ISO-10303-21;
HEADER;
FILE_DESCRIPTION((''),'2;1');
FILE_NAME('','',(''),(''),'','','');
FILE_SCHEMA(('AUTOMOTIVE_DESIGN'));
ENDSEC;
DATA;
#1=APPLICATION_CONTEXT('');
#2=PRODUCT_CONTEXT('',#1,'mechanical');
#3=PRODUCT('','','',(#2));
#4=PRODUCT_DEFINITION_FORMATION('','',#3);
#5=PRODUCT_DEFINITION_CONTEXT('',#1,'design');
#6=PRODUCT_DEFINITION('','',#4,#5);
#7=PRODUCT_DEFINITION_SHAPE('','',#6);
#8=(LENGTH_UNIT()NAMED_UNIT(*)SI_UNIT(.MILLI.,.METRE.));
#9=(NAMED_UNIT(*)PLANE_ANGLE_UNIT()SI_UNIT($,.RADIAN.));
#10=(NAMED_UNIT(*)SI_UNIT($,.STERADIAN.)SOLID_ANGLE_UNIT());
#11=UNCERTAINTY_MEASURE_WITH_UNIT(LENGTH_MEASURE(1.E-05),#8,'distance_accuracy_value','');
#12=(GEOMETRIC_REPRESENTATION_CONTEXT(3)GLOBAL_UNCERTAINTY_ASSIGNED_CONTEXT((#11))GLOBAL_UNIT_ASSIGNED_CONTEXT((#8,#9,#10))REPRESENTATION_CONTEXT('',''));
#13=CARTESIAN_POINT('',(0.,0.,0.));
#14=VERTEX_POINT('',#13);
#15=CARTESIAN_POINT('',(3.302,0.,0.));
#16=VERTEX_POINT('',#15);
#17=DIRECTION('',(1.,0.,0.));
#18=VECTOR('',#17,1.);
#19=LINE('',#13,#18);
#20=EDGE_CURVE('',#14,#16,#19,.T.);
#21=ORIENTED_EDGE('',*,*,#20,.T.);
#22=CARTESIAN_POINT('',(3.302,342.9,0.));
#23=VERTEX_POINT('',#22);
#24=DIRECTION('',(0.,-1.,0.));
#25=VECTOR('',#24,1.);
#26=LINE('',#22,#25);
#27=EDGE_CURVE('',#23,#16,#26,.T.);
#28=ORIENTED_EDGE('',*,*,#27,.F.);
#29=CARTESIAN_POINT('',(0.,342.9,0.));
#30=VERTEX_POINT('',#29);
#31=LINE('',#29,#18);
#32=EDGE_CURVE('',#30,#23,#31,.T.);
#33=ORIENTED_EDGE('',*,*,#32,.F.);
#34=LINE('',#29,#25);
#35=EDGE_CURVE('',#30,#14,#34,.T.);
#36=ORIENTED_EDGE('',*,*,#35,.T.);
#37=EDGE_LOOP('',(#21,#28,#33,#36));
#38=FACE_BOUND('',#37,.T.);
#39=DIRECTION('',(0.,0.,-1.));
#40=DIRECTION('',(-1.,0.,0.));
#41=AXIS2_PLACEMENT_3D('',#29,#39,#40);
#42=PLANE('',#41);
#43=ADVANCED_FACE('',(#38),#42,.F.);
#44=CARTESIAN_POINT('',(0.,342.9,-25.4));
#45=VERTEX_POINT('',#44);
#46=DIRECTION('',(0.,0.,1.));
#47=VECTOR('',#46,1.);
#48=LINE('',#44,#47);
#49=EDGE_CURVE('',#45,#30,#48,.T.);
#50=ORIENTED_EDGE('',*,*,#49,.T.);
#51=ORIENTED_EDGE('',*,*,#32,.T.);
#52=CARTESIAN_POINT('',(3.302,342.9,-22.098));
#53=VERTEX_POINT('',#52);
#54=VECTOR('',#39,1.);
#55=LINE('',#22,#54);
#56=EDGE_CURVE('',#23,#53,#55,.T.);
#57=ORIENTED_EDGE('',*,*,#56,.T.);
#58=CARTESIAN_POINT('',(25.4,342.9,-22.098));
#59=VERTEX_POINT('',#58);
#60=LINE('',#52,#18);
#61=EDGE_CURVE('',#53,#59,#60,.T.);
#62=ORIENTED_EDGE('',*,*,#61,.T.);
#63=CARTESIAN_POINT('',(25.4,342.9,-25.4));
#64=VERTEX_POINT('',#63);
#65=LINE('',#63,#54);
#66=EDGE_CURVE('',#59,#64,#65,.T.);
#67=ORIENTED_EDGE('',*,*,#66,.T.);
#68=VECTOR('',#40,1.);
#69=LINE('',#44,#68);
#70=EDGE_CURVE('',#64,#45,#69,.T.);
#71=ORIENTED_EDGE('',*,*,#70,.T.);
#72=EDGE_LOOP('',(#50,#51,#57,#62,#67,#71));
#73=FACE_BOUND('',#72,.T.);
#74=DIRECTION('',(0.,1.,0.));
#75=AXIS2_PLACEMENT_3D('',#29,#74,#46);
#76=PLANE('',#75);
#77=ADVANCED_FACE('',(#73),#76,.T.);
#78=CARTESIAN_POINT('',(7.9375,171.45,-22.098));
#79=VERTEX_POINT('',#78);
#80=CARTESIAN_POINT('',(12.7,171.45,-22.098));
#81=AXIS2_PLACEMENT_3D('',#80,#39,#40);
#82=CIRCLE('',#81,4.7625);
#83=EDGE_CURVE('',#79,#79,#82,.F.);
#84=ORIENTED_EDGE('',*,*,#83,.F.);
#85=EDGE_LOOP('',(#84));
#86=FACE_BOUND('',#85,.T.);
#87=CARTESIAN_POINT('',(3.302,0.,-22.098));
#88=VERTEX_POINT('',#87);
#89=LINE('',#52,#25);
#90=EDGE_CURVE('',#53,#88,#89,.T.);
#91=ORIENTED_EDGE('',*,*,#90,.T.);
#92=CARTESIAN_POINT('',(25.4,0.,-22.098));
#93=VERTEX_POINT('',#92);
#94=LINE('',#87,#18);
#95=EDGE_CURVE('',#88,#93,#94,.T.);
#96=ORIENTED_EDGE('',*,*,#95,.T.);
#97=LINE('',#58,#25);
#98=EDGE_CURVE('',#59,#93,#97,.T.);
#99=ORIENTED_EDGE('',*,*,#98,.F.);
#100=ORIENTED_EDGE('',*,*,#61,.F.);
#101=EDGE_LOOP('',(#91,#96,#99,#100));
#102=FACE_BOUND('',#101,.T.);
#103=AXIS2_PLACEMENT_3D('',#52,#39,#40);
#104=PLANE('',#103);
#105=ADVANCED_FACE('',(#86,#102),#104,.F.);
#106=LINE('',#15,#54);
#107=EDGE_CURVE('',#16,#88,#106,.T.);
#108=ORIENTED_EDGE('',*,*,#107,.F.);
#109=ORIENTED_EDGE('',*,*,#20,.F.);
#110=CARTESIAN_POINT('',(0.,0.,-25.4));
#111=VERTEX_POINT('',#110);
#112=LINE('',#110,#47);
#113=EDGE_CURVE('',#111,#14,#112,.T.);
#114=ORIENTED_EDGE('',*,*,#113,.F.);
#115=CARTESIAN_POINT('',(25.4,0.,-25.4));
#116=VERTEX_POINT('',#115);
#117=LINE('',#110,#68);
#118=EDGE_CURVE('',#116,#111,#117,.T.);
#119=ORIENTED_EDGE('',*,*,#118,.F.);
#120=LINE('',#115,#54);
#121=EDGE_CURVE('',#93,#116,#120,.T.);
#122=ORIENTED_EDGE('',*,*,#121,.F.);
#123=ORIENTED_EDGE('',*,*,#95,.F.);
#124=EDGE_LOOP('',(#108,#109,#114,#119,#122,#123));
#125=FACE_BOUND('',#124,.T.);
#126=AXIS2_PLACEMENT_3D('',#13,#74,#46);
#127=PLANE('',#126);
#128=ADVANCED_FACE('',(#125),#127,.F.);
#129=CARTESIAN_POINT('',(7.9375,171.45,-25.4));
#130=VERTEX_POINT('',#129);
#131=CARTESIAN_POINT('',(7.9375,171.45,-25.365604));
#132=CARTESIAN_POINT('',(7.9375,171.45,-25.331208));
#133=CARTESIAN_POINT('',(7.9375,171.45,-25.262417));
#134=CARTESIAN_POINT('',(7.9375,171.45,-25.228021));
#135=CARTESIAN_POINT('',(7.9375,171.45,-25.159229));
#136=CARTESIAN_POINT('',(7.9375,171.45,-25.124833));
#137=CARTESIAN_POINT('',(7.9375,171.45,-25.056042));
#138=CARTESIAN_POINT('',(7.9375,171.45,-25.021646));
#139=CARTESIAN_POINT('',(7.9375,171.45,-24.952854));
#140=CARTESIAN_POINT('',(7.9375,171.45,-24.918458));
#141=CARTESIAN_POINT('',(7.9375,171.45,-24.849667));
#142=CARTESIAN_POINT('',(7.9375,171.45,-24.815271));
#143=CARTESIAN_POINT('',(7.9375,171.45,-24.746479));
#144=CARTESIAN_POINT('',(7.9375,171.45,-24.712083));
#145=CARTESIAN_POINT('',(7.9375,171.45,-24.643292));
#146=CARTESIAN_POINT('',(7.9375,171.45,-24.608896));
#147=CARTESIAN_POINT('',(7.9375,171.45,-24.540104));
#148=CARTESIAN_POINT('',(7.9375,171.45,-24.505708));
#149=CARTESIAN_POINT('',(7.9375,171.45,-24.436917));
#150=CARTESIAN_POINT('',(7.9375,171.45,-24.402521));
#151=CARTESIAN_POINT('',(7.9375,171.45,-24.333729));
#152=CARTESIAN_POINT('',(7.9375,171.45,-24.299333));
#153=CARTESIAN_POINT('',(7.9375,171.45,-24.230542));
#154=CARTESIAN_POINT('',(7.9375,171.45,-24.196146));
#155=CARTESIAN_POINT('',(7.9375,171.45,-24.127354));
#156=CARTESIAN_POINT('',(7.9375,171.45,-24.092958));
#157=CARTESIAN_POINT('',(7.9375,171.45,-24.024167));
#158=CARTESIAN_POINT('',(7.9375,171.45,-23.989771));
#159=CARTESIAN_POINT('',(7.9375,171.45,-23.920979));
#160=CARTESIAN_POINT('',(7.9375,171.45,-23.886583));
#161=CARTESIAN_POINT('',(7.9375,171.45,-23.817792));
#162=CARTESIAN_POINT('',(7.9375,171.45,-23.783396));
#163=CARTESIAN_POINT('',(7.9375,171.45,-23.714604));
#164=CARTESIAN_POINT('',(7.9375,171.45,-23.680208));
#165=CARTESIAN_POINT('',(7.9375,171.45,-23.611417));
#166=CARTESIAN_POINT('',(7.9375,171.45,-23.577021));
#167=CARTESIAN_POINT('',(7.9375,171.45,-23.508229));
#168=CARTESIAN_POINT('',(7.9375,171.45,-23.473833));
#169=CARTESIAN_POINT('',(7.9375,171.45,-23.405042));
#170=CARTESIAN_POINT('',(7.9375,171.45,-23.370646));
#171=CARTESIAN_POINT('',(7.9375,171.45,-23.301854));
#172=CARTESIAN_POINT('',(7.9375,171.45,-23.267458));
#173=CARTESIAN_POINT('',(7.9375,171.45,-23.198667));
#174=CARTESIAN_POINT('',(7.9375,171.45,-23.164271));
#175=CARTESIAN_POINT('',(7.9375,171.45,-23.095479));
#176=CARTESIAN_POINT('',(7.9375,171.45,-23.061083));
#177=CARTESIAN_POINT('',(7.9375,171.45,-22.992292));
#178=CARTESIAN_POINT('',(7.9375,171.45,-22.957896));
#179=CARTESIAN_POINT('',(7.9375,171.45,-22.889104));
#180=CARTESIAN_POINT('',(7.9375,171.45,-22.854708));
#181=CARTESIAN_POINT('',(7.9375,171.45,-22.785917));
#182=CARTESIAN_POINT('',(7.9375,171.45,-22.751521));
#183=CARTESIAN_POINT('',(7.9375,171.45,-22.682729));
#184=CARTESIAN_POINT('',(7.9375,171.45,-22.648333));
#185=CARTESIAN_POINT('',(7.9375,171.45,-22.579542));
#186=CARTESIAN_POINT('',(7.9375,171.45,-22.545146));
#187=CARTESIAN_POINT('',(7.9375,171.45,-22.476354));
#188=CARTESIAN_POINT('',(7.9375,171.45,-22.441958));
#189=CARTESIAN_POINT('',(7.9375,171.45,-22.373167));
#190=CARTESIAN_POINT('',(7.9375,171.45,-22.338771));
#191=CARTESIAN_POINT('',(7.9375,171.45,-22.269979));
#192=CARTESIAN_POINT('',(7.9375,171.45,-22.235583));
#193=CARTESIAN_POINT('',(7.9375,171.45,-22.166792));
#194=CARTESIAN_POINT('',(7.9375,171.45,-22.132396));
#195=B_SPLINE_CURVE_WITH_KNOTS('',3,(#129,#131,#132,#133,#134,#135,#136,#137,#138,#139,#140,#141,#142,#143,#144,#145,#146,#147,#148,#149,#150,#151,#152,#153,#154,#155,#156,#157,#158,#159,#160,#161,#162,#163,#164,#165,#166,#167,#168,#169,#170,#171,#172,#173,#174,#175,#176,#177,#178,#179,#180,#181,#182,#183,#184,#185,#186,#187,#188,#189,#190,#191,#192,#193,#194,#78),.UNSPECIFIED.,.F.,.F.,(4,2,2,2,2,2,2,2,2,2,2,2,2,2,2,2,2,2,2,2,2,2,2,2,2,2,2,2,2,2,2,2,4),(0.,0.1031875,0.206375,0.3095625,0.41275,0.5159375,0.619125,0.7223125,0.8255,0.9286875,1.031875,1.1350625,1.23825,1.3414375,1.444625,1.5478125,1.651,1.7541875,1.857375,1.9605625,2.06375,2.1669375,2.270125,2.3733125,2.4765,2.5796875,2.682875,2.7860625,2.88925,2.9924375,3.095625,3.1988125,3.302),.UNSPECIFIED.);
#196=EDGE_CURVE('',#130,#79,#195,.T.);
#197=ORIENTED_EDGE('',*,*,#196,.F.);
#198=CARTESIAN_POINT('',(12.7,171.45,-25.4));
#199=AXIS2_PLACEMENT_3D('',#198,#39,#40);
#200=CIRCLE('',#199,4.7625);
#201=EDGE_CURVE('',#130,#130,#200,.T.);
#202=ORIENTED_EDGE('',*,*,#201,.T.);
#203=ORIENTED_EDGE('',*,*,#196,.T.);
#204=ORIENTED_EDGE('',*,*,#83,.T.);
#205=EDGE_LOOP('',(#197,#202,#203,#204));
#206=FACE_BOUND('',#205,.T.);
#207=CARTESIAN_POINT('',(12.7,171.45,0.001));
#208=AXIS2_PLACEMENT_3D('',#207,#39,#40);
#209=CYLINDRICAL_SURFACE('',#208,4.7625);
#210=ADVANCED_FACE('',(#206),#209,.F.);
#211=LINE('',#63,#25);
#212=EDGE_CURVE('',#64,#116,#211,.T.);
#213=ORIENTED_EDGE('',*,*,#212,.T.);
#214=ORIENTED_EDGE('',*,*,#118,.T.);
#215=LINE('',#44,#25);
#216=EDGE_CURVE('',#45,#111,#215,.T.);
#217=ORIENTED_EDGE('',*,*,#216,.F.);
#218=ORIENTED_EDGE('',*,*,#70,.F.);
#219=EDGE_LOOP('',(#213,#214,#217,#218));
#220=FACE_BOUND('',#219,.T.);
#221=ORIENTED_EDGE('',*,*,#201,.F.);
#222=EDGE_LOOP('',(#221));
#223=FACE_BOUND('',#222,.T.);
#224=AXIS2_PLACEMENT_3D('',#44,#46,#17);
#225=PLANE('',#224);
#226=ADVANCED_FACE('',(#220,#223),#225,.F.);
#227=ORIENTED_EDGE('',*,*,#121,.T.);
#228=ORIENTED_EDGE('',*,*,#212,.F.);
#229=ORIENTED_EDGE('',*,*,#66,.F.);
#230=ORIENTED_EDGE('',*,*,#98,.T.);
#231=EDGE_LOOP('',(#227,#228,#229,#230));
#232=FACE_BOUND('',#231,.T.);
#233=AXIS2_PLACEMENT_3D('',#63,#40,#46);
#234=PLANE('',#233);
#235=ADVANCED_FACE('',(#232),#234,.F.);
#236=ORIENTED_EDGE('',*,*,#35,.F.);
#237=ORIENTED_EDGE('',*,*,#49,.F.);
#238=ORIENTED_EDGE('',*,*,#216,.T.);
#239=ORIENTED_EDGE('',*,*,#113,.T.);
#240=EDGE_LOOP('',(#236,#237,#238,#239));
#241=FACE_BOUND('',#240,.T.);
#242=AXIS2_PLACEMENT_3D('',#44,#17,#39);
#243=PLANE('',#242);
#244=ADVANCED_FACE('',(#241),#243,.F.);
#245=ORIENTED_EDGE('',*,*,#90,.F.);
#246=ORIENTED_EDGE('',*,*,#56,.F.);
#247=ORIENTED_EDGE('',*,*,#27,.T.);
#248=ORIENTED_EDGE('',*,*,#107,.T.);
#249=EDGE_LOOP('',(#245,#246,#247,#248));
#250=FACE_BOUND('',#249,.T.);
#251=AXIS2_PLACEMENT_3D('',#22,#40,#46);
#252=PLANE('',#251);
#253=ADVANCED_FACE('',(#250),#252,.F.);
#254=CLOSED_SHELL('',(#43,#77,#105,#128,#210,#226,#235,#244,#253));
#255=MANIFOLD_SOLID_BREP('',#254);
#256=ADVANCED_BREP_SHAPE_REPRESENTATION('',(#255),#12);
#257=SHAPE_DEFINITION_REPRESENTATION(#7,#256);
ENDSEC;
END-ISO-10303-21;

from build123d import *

# Parameters (mm, degrees)
BOSS_EXTRUDE1_DEPTH = 342.9
CUT_EXTRUDE1_REACH  = 346.776
SKETCH2_R           = 4.7625


with BuildPart() as part:
    # Sketch1 → Boss-Extrude1 (new body)
    with BuildSketch(Plane(origin=(0, 0, 0), x_dir=(1, 0, 0), z_dir=(0, 1, 0))):
        Polygon((0, 0), (3.302, 0), (3.302, 22.098), (25.4, 22.098), (25.4, 25.4), (0, 25.4), align=None)
    extrude(amount=BOSS_EXTRUDE1_DEPTH)

    # Sketch2 → Cut-Extrude1 (cut, up to next)
    with BuildSketch(Plane(origin=(0, 0, -25.4), x_dir=(-1, 0, 0), z_dir=(0, 0, -1)), mode=Mode.PRIVATE) as cut_extrude1_sk1:
        with Locations((-12.7, 171.45)):
            Circle(SKETCH2_R)
    cut_extrude1_tool1 = extrude(cut_extrude1_sk1.sketch, amount=-CUT_EXTRUDE1_REACH, mode=Mode.PRIVATE) & part.part
    add(cut_extrude1_tool1.solids().sort_by_distance((12.7, 171.45, -25.4))[0], mode=Mode.SUBTRACT)


solid = part.part
